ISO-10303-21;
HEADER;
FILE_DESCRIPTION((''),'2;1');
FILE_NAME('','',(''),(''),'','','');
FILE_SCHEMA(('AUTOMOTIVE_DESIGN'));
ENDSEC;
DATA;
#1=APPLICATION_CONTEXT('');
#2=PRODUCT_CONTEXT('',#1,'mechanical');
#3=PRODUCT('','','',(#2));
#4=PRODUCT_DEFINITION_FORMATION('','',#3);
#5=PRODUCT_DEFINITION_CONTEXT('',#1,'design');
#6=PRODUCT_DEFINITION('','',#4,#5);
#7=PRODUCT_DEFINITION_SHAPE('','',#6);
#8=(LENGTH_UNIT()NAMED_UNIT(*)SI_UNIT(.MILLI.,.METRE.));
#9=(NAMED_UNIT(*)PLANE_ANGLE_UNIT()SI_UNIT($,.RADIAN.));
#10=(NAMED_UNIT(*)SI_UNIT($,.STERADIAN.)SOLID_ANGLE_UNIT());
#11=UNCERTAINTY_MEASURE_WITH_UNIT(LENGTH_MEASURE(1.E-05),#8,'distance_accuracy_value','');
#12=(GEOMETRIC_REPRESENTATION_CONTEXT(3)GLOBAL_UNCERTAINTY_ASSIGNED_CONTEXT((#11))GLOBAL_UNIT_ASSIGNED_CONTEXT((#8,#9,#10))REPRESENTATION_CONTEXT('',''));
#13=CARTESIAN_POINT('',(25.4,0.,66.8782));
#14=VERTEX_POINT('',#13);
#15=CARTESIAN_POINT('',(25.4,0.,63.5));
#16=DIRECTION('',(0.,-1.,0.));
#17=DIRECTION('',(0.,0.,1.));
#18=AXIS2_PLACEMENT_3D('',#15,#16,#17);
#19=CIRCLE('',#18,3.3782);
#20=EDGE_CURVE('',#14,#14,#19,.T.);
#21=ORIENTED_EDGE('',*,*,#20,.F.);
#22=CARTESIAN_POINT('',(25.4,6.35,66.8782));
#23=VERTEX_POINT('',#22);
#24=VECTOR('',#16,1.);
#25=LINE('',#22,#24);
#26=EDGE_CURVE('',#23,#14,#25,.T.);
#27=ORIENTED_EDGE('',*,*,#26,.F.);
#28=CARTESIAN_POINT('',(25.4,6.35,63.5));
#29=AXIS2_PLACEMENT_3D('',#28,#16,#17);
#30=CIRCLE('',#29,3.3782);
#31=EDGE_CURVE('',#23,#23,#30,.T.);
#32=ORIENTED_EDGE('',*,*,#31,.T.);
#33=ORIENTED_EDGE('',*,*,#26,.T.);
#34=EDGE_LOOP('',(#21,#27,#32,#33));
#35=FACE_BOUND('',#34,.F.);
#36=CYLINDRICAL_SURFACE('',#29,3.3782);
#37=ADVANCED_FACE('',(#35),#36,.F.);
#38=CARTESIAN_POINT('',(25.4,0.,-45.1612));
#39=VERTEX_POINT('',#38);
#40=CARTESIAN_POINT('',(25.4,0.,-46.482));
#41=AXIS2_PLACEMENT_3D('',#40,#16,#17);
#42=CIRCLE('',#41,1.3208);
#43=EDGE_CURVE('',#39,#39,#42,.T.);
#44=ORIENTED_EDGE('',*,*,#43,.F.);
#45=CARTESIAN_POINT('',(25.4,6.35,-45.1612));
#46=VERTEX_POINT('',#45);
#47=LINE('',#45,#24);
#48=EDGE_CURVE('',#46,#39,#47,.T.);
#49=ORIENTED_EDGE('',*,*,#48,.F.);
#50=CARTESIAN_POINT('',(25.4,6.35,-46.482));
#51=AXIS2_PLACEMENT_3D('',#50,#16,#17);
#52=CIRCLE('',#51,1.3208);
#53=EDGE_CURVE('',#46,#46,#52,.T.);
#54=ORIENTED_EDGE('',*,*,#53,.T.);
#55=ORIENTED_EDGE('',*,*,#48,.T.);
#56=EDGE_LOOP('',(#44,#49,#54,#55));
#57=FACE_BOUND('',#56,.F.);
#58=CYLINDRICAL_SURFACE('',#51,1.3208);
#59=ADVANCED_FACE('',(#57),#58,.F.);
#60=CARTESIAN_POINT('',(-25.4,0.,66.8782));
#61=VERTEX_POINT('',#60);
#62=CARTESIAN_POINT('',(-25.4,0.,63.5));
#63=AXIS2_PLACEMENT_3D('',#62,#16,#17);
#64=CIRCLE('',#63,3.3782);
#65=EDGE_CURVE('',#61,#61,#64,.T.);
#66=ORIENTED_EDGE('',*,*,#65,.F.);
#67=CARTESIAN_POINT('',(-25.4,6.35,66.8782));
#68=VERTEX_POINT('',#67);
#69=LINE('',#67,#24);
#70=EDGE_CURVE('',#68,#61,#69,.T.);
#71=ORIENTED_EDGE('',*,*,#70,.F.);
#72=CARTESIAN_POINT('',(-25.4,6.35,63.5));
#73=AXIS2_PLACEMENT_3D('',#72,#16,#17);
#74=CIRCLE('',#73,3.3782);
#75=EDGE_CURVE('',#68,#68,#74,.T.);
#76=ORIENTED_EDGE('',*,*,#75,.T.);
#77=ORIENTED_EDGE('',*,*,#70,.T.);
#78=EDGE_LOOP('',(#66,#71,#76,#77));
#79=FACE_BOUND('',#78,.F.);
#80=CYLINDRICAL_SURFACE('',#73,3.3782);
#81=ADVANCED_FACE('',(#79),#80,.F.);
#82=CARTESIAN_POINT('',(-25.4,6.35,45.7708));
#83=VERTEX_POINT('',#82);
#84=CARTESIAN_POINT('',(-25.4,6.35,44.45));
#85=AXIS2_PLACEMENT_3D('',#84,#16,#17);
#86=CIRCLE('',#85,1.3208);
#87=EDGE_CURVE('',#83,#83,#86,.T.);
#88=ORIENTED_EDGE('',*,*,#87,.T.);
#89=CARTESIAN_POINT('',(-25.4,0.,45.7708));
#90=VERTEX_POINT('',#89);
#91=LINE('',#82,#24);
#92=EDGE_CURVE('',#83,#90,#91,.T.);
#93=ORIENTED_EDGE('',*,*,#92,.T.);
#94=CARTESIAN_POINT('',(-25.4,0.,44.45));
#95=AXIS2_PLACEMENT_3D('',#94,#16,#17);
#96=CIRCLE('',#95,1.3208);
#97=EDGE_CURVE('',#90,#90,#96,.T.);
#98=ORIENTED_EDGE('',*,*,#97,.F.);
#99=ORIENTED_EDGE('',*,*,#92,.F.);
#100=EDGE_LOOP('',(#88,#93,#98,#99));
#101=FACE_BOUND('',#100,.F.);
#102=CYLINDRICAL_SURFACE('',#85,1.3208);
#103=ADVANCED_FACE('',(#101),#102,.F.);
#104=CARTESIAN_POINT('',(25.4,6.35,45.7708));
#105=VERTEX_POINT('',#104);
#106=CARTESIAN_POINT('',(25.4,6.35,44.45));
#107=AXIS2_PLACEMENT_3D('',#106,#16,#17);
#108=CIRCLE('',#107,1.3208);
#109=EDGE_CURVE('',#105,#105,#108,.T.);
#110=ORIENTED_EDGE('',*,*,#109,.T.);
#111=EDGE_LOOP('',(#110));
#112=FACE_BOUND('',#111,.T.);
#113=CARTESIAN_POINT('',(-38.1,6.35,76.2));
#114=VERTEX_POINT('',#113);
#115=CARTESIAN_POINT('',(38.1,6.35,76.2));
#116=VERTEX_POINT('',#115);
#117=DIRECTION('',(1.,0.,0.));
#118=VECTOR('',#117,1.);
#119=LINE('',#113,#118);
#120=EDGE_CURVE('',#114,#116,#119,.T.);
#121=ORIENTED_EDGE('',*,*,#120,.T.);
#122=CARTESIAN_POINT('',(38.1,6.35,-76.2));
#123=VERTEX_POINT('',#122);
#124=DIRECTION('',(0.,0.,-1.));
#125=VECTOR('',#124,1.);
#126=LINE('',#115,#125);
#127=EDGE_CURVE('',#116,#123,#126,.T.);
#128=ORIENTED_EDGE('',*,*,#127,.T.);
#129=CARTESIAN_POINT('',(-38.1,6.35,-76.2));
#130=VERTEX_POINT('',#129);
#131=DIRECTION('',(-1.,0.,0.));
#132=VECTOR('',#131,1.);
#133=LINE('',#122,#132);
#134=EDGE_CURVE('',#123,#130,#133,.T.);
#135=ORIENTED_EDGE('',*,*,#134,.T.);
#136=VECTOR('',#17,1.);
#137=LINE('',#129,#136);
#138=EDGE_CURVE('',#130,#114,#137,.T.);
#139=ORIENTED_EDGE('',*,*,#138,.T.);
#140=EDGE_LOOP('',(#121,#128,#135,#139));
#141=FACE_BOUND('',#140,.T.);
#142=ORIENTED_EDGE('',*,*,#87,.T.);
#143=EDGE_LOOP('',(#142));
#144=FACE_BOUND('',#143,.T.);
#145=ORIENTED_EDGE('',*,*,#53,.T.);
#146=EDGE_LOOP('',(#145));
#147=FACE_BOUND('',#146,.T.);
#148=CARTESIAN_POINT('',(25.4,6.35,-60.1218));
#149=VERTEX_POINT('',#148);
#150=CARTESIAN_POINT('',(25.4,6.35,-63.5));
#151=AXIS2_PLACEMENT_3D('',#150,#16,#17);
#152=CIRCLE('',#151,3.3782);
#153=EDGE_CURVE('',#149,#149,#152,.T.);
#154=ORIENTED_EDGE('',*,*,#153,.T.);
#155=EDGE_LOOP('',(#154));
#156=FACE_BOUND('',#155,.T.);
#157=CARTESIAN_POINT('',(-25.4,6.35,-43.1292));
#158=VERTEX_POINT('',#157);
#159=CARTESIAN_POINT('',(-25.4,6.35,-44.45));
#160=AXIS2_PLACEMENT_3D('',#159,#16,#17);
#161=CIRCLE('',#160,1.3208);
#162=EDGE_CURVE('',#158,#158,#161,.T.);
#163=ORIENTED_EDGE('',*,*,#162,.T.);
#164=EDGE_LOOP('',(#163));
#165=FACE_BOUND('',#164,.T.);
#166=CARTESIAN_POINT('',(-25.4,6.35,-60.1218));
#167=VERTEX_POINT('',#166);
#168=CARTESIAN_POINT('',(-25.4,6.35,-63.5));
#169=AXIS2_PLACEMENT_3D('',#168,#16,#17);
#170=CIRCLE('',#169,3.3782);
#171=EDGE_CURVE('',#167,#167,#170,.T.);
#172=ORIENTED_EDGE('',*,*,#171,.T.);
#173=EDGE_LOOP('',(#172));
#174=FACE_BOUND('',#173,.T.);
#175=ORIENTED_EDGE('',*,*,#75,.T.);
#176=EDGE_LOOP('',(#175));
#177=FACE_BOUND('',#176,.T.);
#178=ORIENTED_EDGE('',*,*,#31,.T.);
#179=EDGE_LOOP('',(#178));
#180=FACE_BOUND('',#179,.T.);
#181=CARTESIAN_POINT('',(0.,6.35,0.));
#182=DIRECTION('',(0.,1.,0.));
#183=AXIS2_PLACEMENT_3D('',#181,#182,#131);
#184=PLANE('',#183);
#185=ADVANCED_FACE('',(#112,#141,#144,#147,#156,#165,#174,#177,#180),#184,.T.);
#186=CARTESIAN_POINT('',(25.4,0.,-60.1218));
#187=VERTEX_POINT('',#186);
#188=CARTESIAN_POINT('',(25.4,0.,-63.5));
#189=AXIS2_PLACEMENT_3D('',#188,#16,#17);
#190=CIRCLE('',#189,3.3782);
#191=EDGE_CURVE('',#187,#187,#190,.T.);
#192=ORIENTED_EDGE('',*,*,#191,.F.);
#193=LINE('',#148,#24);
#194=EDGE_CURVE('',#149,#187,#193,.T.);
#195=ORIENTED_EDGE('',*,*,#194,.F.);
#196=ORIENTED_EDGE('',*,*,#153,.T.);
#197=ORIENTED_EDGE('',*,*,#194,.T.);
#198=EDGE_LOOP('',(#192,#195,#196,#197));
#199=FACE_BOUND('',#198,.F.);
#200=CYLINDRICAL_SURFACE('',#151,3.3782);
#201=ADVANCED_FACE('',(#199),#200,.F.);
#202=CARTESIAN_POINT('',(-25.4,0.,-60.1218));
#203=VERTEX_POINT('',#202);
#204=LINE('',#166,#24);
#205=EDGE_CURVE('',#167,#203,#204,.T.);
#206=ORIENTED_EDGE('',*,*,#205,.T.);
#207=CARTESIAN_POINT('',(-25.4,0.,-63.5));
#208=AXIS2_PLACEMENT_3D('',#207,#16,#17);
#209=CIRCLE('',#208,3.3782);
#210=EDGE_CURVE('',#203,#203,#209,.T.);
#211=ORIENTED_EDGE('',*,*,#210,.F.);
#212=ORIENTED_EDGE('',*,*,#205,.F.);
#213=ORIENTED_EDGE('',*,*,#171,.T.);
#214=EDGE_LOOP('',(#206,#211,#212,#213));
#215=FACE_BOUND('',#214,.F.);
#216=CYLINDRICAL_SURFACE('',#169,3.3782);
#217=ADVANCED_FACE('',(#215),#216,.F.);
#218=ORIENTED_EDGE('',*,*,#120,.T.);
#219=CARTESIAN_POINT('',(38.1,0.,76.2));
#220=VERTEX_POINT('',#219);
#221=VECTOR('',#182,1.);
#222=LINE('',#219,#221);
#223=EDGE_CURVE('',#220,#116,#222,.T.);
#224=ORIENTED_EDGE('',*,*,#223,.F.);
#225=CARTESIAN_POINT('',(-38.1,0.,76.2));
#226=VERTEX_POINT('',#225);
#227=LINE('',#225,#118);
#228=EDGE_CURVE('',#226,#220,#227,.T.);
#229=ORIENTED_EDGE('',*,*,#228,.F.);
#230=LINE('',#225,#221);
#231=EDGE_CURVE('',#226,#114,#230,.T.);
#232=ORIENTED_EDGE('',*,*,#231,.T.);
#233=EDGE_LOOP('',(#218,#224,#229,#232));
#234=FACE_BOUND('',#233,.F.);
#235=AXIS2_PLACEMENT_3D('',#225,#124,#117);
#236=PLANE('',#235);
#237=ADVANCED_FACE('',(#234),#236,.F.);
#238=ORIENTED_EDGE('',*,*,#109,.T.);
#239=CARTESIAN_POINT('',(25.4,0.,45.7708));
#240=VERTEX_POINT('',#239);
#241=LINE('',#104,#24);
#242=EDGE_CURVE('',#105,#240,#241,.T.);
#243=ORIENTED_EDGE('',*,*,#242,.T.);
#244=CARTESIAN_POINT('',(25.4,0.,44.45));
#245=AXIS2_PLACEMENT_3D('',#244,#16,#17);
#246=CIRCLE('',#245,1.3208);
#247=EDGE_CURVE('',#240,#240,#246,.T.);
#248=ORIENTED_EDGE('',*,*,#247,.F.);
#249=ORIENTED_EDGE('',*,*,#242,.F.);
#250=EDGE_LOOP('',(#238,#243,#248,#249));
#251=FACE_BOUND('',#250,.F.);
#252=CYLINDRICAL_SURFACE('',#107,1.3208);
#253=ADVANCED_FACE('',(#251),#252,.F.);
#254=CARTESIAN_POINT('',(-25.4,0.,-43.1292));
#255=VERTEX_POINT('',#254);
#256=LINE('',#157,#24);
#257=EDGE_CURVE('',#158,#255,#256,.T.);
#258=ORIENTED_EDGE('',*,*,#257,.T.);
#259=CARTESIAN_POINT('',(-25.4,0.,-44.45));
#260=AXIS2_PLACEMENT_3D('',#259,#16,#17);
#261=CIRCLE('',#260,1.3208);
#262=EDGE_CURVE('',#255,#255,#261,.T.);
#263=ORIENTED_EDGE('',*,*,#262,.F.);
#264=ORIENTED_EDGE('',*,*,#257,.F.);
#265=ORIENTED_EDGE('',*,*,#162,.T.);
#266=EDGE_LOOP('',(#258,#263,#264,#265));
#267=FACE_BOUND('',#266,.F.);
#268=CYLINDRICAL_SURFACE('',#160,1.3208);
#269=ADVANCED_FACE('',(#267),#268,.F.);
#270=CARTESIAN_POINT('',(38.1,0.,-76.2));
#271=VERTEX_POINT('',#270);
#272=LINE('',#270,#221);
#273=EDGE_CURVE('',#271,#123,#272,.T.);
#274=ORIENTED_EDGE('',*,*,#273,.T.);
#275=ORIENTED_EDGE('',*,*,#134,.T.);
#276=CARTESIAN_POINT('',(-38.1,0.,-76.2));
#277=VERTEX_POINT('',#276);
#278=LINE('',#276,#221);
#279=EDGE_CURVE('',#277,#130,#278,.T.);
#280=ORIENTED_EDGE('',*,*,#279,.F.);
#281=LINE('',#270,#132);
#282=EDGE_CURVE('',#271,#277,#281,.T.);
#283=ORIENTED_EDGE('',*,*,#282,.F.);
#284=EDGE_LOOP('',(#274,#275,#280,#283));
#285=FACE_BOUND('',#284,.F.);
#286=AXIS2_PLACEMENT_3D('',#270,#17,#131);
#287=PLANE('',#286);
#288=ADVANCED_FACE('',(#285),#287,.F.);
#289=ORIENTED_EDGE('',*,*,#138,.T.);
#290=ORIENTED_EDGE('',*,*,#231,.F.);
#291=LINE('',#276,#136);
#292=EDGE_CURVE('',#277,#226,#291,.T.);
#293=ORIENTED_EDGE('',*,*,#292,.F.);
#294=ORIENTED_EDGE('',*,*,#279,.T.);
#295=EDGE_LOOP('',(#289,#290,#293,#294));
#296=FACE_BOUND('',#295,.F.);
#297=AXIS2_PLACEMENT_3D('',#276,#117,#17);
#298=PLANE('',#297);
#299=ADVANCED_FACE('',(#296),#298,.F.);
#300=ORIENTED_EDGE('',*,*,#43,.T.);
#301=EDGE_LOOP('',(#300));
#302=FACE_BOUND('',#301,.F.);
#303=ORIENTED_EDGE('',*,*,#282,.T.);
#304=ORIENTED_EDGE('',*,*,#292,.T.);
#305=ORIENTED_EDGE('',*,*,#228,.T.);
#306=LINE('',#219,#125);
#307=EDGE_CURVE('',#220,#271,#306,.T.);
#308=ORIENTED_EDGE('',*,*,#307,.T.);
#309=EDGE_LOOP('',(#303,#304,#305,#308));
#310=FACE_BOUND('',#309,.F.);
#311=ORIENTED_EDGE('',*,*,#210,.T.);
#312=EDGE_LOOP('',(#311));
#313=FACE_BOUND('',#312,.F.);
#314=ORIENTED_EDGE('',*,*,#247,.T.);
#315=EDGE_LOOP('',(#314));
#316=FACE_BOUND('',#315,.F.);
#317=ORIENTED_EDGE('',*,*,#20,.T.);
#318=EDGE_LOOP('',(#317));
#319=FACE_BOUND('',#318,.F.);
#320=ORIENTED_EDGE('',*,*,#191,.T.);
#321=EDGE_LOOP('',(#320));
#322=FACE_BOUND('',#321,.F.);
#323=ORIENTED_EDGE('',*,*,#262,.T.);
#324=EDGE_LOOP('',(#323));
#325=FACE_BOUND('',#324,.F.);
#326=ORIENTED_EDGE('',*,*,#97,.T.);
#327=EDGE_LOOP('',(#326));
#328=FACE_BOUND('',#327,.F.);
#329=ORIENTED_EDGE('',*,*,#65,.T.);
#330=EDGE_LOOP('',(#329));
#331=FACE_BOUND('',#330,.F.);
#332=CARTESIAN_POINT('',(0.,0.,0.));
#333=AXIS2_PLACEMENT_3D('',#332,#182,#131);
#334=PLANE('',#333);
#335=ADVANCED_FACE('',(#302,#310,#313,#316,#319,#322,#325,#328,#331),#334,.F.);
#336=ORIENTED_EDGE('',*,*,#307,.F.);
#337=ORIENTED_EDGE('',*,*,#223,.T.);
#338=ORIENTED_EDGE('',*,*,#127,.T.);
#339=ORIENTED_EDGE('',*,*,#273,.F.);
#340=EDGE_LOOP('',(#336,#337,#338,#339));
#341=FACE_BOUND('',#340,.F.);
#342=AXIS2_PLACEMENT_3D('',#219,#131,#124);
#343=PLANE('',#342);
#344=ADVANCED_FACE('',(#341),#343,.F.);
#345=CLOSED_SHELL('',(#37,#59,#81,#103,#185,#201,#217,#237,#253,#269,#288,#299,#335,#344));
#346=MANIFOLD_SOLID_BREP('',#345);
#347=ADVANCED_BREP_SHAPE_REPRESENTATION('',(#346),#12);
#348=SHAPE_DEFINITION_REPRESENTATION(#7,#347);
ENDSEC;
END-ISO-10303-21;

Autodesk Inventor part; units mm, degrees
ref_plane "YZ Plane" through (0, 0, 0) normal (1, 0, 0) x (0, 1, 0)
ref_plane "XZ Plane" through (0, 0, 0) normal (0, 1, 0) x (-1, 0, 0)
ref_plane "XY Plane" through (0, 0, 0) normal (0, 0, 1) x (1, 0, 0)
sketch "Sketch1" plane through (0, 0, 0) normal (0, 1, 0) x (-1, 0, 0)
  line L0 (38.1, 76.2) -> (-38.1, 76.2)
  line L1 (-38.1, 76.2) -> (-38.1, -76.2)
  line L2 (-38.1, -76.2) -> (38.1, -76.2)
  line L3 (38.1, -76.2) -> (38.1, 76.2)
  line L4 (38.1, 76.2) -> (-38.1, -76.2) construction
  line L5 (-38.1, 76.2) -> (38.1, -76.2) construction
  point P0 (0, 0)
  dimension "d0" = 76.2
  dimension "d1" = 152.4
extrude "Extrusion1" add sketch "Sketch1" along normal blind 6.35
sketch "Sketch2" plane through (0, 6.35, 0) normal (0, 1, 0) x (1, 0, 0)
  line L0 (38.1, 76.2) -> (-38.1, 76.2) projected
  line L1 (-38.1, 76.2) -> (-38.1, -76.2) projected
  line L2 (38.1, -76.2) -> (38.1, 76.2) projected
  line L3 (-38.1, -76.2) -> (38.1, -76.2) projected
  point P0 (0, 0)
  point P1 (-25.4, 63.5)
  point P2 (25.4, 63.5)
  point P3 (25.4, -63.5)
  point P4 (-25.4, -63.5)
  dimension "d11" = 12.7
  dimension "d12" = 12.7
  dimension "d13" = 12.7
  dimension "d14" = 12.7
  dimension "d15" = 12.7
  dimension "d16" = 12.7
  dimension "d17" = 12.7
  dimension "d18" = 12.7
hole "Hole1" at (-25.4, 6.35, -63.5) at (25.4, 6.35, -63.5) at (25.4, 6.35, 63.5) at (-25.4, 6.35, 63.5) direction (0, -1, 0) diameter 6.7564 depth 10.8 tip angle 118 clearance for "Socket Head Cap Screw" size "1/4" standard "Ansi Unified Screw Threads"
sketch "Sketch3" plane through (0, 6.35, 0) normal (0, 1, 0) x (1, 0, 0)
  line L0 (-38.1, -76.2) -> (38.1, -76.2) projected
  line L1 (-38.1, 76.2) -> (-38.1, -76.2) projected
  line L2 (38.1, -76.2) -> (38.1, 76.2) projected
  line L3 (38.1, 76.2) -> (-38.1, 76.2) projected
  point P0 (0, 0)
  point P1 (-25.4, 44.45)
  point P2 (-25.4, -44.45)
  point P3 (25.4, -44.45)
  point P4 (25.4, 46.482)
  dimension "d26" = 31.75
  dimension "d27" = 12.7
  dimension "d28" = 31.75
  dimension "d29" = 12.7
  dimension "d30" = 12.7
  dimension "d32" = 31.75
  dimension "d33" = 12.7
  dimension "d34" = 90.932
hole "Hole2" at (-25.4, 6.35, -44.45) at (-25.4, 6.35, 44.45) at (25.4, 6.35, 44.45) at (25.4, 6.35, -46.482) direction (0, -1, 0) diameter 2.6416 depth 10.9728 tip angle 118 thread size "6-32 UNC" class "2B" standard "ANSI Unified Screw Threads"
properties part number "GalvoBoardPlate"
